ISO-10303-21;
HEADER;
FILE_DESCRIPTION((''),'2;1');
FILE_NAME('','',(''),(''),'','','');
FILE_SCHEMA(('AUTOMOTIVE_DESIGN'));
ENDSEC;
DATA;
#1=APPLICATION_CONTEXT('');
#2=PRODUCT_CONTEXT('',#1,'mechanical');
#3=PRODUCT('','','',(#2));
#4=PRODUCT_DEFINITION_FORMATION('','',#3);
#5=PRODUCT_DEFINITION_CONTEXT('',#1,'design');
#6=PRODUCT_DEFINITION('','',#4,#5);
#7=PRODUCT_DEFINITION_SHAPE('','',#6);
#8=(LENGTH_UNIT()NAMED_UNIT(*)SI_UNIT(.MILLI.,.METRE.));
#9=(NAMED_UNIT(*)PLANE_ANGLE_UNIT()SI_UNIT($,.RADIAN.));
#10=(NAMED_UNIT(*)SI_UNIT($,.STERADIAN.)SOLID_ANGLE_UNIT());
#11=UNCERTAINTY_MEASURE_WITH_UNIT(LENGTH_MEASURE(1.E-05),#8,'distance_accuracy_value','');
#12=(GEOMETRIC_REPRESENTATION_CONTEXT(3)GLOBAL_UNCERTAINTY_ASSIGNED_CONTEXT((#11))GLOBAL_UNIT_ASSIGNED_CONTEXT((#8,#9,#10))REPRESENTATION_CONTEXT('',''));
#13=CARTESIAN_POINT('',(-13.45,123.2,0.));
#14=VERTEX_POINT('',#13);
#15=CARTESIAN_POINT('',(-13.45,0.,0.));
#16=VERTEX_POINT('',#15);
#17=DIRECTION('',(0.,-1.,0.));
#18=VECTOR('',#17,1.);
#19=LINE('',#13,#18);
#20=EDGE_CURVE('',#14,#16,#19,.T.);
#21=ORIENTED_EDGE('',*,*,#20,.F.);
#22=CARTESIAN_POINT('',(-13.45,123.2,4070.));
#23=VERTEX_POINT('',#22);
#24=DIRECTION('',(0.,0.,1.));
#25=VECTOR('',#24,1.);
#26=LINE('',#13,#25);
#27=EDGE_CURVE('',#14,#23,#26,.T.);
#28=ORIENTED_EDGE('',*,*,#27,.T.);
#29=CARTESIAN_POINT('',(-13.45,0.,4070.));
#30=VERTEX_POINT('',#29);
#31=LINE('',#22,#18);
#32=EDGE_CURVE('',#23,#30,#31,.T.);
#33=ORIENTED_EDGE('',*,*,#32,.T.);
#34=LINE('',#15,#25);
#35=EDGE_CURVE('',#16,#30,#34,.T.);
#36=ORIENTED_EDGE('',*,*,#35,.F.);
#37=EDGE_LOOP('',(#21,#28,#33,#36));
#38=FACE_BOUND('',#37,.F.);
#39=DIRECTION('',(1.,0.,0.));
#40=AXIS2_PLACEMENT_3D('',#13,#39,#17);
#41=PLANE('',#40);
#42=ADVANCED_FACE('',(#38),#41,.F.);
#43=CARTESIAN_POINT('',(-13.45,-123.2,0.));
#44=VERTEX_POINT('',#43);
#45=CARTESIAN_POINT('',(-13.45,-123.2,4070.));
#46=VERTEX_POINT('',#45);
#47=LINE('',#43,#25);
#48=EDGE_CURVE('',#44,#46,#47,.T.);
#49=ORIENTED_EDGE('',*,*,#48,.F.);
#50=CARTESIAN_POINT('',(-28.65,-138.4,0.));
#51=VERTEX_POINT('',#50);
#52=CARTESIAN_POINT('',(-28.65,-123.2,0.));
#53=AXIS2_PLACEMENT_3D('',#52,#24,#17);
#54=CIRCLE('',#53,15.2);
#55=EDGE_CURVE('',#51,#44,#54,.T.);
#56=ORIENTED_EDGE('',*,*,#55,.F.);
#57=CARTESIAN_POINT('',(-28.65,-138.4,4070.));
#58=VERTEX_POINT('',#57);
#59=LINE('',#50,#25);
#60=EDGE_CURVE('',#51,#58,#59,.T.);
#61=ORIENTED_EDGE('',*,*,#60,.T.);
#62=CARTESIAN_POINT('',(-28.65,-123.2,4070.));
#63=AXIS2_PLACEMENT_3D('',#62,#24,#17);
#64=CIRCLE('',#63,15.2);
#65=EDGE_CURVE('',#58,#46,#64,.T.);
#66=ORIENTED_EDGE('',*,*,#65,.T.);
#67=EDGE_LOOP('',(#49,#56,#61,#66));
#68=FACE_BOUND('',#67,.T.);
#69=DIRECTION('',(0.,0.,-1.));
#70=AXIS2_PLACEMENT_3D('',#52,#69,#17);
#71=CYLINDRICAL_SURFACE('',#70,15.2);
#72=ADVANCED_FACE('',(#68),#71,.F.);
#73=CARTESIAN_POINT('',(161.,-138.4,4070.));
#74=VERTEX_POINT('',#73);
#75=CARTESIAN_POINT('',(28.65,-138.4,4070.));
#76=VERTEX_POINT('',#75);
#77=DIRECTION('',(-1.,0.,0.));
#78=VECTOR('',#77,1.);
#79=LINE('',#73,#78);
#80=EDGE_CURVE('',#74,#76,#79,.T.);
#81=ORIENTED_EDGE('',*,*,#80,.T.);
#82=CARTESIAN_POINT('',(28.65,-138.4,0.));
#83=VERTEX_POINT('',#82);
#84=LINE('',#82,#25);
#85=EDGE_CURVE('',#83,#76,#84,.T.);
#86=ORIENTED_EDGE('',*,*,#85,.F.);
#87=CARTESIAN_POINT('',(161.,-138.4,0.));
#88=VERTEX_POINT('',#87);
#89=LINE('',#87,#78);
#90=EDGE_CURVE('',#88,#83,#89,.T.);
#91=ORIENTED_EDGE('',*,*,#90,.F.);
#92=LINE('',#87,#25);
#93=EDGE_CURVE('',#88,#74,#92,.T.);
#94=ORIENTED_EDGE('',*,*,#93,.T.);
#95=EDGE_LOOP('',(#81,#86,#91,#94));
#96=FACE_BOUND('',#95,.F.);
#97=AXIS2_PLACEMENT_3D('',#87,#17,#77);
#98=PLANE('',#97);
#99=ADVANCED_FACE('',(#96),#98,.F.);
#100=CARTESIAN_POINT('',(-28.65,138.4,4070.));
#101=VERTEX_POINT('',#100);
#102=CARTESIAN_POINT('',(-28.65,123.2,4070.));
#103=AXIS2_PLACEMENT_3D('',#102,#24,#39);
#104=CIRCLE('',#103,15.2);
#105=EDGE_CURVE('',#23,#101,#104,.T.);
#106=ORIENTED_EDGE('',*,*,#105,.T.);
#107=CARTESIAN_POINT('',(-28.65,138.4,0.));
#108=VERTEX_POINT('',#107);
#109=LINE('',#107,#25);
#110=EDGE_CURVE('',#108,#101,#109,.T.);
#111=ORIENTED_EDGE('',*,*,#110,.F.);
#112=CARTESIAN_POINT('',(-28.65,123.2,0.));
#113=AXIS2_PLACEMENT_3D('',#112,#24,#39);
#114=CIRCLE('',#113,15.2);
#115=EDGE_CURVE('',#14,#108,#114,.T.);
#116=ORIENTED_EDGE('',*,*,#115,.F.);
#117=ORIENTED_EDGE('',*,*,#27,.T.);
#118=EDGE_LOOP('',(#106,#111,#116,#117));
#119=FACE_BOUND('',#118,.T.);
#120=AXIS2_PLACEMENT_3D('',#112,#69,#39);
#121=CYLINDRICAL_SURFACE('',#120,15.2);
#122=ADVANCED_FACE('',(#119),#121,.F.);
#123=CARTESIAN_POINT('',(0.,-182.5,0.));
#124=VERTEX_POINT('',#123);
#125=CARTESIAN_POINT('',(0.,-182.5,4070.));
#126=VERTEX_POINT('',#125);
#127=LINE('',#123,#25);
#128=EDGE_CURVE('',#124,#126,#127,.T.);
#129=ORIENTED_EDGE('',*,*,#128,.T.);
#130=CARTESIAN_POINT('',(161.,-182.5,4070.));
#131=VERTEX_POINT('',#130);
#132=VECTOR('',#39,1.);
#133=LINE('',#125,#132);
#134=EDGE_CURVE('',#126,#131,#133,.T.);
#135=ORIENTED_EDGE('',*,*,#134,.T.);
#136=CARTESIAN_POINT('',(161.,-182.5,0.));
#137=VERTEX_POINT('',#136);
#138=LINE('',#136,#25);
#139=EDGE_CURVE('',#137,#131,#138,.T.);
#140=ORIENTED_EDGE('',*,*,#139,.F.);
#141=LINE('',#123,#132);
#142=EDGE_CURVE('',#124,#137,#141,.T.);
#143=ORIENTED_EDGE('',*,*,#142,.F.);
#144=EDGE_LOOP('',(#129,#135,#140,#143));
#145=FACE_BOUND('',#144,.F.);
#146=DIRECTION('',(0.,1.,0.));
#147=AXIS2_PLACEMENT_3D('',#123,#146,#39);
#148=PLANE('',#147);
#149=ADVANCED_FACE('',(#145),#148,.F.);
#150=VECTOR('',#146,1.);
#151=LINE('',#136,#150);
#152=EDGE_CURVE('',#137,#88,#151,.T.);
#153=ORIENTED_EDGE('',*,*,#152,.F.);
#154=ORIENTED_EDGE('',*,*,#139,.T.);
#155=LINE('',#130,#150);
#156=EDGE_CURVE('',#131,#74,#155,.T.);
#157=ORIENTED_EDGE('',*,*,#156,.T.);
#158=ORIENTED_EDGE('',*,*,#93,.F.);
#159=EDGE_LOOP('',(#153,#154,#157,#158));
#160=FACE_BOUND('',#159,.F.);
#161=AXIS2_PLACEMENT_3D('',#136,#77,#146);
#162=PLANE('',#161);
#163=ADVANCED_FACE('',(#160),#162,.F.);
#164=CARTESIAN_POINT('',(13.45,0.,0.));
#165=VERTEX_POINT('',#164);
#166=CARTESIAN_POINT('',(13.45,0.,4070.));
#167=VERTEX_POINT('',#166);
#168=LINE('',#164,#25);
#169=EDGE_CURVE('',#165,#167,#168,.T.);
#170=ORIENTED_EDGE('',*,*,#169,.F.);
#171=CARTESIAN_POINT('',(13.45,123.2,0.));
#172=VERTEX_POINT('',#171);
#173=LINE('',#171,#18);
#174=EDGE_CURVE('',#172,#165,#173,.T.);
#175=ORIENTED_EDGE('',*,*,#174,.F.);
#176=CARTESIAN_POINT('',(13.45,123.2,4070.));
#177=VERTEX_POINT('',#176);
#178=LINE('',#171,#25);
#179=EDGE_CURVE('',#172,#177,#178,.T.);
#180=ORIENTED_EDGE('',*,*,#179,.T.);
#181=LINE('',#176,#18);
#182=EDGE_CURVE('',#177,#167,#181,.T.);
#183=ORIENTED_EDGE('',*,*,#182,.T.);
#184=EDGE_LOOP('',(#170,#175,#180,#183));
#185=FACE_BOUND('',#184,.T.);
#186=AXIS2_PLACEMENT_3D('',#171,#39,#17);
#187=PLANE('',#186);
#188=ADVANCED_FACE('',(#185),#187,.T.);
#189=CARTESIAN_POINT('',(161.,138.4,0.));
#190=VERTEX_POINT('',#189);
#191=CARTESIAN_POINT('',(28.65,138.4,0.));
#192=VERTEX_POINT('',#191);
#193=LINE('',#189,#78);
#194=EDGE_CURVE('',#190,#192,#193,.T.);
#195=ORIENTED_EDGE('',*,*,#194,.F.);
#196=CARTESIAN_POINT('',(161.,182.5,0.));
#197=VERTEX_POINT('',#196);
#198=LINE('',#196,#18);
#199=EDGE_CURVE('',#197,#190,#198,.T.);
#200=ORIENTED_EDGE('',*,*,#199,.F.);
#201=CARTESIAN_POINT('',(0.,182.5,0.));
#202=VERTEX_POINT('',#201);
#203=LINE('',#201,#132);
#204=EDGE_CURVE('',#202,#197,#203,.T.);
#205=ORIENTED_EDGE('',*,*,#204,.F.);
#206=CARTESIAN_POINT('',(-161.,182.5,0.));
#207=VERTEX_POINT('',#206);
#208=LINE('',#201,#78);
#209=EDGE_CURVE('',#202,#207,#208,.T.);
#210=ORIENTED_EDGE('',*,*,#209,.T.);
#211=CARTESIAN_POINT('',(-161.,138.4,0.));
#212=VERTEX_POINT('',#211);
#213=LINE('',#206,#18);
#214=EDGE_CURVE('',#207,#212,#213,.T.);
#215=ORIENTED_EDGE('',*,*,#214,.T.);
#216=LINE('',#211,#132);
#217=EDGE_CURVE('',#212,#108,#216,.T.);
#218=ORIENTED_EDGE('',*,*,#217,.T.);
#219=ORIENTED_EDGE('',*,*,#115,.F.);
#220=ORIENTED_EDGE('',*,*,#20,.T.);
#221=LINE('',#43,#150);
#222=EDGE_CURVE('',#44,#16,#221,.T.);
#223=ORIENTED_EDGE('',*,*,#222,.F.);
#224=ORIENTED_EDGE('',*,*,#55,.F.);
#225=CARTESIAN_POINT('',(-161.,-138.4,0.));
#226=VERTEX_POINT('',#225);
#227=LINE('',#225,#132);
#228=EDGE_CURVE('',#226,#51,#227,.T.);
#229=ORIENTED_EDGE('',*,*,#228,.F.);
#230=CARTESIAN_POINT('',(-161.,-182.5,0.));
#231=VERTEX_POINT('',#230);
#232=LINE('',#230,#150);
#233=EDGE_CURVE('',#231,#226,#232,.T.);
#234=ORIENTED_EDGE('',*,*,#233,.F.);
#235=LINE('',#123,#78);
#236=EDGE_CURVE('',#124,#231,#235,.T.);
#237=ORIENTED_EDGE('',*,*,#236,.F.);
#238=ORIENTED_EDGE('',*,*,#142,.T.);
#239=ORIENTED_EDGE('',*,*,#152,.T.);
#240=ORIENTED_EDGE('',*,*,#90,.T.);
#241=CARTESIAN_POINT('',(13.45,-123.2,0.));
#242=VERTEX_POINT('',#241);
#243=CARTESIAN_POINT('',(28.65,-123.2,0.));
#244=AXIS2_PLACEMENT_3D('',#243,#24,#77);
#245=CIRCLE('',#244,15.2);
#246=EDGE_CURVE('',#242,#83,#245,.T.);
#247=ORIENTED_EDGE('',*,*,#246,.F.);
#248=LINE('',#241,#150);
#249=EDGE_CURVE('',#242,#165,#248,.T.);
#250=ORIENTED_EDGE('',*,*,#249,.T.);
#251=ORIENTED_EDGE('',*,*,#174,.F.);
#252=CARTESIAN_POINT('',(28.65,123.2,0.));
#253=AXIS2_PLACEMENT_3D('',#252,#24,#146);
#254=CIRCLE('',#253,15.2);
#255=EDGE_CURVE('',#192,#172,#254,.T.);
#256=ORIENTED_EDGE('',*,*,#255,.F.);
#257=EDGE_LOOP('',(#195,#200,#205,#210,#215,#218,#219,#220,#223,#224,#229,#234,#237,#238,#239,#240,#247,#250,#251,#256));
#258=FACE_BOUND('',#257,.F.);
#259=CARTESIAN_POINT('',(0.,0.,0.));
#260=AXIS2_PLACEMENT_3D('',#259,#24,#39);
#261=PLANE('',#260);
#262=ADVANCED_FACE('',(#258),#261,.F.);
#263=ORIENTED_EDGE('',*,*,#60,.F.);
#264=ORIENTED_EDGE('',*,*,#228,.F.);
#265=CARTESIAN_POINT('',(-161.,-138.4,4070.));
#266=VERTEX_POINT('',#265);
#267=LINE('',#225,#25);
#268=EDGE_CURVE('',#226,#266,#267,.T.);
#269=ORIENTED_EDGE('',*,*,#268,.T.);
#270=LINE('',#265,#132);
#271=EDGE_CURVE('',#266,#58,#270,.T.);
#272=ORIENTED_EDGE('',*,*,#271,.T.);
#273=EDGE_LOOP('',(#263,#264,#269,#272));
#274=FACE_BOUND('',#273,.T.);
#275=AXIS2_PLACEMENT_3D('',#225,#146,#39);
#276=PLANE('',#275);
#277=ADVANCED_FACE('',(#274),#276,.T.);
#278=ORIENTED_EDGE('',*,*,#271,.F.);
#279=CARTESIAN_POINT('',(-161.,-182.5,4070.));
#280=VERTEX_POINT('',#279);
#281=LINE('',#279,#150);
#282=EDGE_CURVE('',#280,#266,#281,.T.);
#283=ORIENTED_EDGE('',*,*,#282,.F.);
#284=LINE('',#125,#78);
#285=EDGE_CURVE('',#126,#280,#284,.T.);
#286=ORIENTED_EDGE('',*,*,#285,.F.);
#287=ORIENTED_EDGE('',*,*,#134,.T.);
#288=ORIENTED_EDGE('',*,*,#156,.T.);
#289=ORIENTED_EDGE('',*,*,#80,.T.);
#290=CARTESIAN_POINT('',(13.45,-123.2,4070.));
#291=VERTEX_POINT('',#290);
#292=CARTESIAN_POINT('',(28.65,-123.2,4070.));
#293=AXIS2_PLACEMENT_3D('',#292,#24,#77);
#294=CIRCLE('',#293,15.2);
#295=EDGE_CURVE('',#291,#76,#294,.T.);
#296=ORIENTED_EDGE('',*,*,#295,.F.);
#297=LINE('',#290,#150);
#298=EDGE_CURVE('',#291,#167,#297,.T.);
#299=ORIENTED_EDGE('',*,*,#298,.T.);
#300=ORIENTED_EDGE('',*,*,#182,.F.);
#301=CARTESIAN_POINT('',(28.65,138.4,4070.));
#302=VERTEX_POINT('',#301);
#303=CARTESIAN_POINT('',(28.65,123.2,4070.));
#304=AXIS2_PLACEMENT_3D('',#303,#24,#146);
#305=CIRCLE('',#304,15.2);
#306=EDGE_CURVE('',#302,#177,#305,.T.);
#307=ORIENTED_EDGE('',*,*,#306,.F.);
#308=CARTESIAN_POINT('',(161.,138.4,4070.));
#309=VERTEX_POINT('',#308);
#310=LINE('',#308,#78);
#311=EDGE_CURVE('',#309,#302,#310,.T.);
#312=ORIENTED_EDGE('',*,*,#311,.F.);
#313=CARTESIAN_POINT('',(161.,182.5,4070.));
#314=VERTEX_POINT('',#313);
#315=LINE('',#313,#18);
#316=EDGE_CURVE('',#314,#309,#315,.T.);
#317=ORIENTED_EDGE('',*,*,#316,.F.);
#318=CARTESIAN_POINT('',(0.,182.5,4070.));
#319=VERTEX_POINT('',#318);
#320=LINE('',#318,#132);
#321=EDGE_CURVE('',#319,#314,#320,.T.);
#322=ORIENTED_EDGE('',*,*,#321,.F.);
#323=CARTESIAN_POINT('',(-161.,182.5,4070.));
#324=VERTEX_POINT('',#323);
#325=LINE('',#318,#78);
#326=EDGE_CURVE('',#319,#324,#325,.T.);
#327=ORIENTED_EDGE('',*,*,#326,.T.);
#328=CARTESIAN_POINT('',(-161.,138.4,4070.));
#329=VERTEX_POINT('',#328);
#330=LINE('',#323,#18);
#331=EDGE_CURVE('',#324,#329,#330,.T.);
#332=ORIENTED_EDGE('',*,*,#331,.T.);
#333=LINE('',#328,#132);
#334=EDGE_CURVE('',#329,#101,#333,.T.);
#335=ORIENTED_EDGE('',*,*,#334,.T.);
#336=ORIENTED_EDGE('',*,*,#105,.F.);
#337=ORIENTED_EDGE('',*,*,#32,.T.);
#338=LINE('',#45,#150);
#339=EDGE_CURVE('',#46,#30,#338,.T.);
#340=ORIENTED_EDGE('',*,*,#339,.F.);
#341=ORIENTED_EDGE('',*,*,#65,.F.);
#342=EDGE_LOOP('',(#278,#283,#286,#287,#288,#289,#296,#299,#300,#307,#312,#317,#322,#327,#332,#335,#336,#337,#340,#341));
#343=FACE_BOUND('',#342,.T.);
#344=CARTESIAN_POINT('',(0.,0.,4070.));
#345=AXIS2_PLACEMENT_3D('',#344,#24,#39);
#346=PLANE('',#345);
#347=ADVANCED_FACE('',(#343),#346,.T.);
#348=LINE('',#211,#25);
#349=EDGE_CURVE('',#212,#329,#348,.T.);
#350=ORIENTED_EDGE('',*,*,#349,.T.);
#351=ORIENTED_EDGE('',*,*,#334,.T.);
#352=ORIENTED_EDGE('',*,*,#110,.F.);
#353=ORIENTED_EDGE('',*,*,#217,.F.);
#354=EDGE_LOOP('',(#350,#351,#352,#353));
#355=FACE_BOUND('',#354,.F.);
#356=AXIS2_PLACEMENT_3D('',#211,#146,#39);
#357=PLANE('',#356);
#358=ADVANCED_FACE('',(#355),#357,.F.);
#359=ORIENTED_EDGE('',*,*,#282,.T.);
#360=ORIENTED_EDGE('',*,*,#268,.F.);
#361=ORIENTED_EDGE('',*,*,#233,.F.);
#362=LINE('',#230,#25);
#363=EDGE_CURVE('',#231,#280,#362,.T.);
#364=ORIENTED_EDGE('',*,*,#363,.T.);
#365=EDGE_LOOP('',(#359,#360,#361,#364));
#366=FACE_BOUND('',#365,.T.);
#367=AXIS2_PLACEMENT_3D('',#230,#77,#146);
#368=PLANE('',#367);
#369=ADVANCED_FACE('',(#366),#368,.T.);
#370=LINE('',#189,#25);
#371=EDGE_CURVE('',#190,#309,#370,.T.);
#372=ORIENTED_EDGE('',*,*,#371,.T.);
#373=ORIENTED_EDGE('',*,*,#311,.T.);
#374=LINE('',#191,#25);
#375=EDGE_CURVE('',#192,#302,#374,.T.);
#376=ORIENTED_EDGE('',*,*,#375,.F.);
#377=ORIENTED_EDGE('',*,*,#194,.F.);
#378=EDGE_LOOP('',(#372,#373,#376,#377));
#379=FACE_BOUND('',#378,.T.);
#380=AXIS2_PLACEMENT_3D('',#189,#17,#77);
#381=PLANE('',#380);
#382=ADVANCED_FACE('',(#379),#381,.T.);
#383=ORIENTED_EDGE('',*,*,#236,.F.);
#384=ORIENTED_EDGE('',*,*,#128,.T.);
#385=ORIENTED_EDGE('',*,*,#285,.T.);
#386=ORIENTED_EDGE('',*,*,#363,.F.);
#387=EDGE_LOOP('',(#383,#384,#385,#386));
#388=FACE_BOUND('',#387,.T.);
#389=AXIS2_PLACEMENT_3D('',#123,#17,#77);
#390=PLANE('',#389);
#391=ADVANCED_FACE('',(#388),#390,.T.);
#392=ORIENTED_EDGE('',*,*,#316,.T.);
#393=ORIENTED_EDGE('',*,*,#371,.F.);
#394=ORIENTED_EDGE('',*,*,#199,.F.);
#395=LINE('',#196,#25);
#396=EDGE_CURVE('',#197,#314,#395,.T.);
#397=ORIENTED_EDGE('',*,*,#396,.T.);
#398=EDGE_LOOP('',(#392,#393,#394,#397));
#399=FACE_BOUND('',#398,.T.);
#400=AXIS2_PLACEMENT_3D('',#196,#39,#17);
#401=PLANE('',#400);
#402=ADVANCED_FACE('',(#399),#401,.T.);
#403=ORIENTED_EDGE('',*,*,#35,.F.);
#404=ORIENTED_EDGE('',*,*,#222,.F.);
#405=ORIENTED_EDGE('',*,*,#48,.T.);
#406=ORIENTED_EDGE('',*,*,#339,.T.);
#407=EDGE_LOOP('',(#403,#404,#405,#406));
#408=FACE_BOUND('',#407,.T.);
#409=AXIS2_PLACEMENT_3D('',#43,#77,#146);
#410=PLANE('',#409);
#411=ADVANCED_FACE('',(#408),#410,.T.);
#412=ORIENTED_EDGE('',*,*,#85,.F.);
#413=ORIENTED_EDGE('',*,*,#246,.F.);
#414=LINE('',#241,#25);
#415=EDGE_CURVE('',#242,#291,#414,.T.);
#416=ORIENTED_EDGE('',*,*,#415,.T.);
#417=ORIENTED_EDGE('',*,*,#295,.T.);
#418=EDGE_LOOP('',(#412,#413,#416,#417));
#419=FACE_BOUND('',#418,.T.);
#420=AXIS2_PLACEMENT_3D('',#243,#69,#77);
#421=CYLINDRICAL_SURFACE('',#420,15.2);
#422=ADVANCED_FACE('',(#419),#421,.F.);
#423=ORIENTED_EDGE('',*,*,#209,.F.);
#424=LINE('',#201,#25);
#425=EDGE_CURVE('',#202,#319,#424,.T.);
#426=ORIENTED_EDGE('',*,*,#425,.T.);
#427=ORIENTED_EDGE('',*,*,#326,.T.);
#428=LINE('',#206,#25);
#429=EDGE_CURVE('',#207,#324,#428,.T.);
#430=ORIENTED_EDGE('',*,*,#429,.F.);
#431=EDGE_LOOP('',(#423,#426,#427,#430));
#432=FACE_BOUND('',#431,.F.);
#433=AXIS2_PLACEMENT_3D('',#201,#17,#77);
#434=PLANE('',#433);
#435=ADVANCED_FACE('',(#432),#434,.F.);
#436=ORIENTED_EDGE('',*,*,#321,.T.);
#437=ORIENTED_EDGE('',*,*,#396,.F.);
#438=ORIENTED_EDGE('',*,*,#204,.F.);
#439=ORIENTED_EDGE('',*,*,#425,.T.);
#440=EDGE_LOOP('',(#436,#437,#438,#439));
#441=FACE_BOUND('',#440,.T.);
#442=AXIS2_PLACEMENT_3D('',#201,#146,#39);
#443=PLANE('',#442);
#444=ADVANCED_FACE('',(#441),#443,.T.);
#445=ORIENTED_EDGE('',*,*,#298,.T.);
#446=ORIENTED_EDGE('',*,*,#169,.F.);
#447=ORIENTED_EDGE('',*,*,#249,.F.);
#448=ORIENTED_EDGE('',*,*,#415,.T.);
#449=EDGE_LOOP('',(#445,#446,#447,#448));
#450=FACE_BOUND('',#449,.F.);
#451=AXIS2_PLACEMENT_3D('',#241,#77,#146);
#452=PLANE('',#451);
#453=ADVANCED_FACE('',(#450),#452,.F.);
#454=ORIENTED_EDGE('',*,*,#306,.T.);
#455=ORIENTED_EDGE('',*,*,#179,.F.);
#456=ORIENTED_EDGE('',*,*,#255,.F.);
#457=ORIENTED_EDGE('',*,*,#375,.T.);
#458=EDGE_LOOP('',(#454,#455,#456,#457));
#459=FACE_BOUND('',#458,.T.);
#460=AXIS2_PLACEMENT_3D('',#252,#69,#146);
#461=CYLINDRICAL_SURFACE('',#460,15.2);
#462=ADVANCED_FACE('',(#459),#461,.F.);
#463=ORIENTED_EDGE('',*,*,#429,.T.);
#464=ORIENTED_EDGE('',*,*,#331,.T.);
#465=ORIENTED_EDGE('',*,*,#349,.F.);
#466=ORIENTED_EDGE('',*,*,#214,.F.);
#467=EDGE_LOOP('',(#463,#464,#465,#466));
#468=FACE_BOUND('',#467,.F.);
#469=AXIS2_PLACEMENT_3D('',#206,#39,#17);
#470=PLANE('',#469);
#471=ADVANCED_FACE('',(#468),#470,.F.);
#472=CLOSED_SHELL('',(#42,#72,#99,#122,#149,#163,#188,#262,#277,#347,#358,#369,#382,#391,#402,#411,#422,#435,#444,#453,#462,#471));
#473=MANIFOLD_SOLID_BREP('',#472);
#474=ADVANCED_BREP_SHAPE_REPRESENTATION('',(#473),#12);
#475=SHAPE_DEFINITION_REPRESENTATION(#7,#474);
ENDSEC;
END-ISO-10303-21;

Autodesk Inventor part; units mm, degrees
ref_plane "YZ Plane" through (0, 0, 0) normal (1, 0, 0) x (0, 1, 0)
ref_plane "Start plane" through (0, 0, 0) normal (0, 0, 1) x (1, 0, 0)
ref_plane "End plane" through (0, 0, 4070) normal (0, 0, 1) x (1, 0, 0)
sketch "Sketch" plane through (0, 0, 0) normal (0, 0, 1) x (1, 0, 0)
  line L0 (-161, -182.5) -> (-161, -138.4)
  line L1 (-161, -138.4) -> (-28.65, -138.4)
  line L2 (-13.45, -123.2) -> (-13.45, 0)
  line L3 (-13.45, 0) -> (0, 0) construction
  line L4 (0, 0) -> (0, -182.5) construction
  line L5 (0, -182.5) -> (-161, -182.5)
  line L6 (-60, 0) -> (80, 0) construction
  line L7 (0, -60) -> (0, 80) construction
  line L8 (161, -182.5) -> (161, -138.4)
  line L9 (161, -138.4) -> (28.65, -138.4)
  line L10 (13.45, -123.2) -> (13.45, 0)
  line L11 (13.45, 0) -> (0, 0) construction
  line L12 (0, -182.5) -> (161, -182.5)
  line L13 (-161, 182.5) -> (-161, 138.4)
  line L14 (-161, 138.4) -> (-28.65, 138.4)
  line L15 (-13.45, 123.2) -> (-13.45, 0)
  line L16 (0, 182.5) -> (-161, 182.5)
  line L17 (161, 182.5) -> (161, 138.4)
  line L18 (161, 138.4) -> (28.65, 138.4)
  line L19 (0, 182.5) -> (161, 182.5)
  line L20 (13.45, 123.2) -> (13.45, 0)
  arc A0 (-13.45, 123.2) -> (-28.65, 138.4) centre (-28.65, 123.2) ccw
  arc A1 (28.65, 138.4) -> (13.45, 123.2) centre (28.65, 123.2) ccw
  arc A2 (13.45, -123.2) -> (28.65, -138.4) centre (28.65, -123.2) ccw
  arc A3 (-28.65, -138.4) -> (-13.45, -123.2) centre (-28.65, -123.2) ccw
  line L21 (0, 108) -> (0, -88) construction
  line L22 (-88, 0) -> (108, 0) construction
  point P0 (-13.45, -138.4)
  point P1 (13.45, -138.4)
  point P2 (-13.45, 138.4)
  point P3 (13.45, 138.4)
  dimension "d1" = 182.5
  dimension "d2" = 44.1
  dimension "d3" = 161
  dimension "d4" = 13.45
  dimension "d10" = 15.2
extrude "Body" add sketch "Sketch" along normal up to surface (4070 mm away) from surface at 0
sketch "Sketch4" plane through (0, 0, 0) normal (0, 0, 1) x (1, 0, 0)
  line L0 (0, 0) -> (10, 0)
ref_plane "Work Plane3" through (0, 0, 0) normal (0, -1, 0) x (1, 0, 0)
sketch "Sketch5" plane through (0, 0, 0) normal (0, -1, 0) x (1, 0, 0)
  line L0 (-2, 0) -> (12, 0) projected
  line L1 (-2, 4070) -> (12, 4070) projected
  dimension "d14" = 4070
equation "\"d1\" = 0.5 * G_H"
equation "\"d2\" = G_T1"
equation "\"d3\" = 0.5 * G_W"
equation "\"d4\" = 0.5 * G_T"
equation "\"d10\" = G_IR"
equation "\"d5\" = G_L"
equation "\"G_W\" = 322"
equation "\"G_H\" = 365"
equation "\"G_T\" = 26.9"
equation "\"G_T1\" = 44.1"
equation "\"G_IR\" = 15.2"
equation "\"G_L\" = d14"
equation "\"G_OFFSET_START\" = 0"
equation "\"G_OFFSET_END\" = 0"
properties part number "AS 3679 - 310 UC - 283 - 4070" material "Steel, Mild"
